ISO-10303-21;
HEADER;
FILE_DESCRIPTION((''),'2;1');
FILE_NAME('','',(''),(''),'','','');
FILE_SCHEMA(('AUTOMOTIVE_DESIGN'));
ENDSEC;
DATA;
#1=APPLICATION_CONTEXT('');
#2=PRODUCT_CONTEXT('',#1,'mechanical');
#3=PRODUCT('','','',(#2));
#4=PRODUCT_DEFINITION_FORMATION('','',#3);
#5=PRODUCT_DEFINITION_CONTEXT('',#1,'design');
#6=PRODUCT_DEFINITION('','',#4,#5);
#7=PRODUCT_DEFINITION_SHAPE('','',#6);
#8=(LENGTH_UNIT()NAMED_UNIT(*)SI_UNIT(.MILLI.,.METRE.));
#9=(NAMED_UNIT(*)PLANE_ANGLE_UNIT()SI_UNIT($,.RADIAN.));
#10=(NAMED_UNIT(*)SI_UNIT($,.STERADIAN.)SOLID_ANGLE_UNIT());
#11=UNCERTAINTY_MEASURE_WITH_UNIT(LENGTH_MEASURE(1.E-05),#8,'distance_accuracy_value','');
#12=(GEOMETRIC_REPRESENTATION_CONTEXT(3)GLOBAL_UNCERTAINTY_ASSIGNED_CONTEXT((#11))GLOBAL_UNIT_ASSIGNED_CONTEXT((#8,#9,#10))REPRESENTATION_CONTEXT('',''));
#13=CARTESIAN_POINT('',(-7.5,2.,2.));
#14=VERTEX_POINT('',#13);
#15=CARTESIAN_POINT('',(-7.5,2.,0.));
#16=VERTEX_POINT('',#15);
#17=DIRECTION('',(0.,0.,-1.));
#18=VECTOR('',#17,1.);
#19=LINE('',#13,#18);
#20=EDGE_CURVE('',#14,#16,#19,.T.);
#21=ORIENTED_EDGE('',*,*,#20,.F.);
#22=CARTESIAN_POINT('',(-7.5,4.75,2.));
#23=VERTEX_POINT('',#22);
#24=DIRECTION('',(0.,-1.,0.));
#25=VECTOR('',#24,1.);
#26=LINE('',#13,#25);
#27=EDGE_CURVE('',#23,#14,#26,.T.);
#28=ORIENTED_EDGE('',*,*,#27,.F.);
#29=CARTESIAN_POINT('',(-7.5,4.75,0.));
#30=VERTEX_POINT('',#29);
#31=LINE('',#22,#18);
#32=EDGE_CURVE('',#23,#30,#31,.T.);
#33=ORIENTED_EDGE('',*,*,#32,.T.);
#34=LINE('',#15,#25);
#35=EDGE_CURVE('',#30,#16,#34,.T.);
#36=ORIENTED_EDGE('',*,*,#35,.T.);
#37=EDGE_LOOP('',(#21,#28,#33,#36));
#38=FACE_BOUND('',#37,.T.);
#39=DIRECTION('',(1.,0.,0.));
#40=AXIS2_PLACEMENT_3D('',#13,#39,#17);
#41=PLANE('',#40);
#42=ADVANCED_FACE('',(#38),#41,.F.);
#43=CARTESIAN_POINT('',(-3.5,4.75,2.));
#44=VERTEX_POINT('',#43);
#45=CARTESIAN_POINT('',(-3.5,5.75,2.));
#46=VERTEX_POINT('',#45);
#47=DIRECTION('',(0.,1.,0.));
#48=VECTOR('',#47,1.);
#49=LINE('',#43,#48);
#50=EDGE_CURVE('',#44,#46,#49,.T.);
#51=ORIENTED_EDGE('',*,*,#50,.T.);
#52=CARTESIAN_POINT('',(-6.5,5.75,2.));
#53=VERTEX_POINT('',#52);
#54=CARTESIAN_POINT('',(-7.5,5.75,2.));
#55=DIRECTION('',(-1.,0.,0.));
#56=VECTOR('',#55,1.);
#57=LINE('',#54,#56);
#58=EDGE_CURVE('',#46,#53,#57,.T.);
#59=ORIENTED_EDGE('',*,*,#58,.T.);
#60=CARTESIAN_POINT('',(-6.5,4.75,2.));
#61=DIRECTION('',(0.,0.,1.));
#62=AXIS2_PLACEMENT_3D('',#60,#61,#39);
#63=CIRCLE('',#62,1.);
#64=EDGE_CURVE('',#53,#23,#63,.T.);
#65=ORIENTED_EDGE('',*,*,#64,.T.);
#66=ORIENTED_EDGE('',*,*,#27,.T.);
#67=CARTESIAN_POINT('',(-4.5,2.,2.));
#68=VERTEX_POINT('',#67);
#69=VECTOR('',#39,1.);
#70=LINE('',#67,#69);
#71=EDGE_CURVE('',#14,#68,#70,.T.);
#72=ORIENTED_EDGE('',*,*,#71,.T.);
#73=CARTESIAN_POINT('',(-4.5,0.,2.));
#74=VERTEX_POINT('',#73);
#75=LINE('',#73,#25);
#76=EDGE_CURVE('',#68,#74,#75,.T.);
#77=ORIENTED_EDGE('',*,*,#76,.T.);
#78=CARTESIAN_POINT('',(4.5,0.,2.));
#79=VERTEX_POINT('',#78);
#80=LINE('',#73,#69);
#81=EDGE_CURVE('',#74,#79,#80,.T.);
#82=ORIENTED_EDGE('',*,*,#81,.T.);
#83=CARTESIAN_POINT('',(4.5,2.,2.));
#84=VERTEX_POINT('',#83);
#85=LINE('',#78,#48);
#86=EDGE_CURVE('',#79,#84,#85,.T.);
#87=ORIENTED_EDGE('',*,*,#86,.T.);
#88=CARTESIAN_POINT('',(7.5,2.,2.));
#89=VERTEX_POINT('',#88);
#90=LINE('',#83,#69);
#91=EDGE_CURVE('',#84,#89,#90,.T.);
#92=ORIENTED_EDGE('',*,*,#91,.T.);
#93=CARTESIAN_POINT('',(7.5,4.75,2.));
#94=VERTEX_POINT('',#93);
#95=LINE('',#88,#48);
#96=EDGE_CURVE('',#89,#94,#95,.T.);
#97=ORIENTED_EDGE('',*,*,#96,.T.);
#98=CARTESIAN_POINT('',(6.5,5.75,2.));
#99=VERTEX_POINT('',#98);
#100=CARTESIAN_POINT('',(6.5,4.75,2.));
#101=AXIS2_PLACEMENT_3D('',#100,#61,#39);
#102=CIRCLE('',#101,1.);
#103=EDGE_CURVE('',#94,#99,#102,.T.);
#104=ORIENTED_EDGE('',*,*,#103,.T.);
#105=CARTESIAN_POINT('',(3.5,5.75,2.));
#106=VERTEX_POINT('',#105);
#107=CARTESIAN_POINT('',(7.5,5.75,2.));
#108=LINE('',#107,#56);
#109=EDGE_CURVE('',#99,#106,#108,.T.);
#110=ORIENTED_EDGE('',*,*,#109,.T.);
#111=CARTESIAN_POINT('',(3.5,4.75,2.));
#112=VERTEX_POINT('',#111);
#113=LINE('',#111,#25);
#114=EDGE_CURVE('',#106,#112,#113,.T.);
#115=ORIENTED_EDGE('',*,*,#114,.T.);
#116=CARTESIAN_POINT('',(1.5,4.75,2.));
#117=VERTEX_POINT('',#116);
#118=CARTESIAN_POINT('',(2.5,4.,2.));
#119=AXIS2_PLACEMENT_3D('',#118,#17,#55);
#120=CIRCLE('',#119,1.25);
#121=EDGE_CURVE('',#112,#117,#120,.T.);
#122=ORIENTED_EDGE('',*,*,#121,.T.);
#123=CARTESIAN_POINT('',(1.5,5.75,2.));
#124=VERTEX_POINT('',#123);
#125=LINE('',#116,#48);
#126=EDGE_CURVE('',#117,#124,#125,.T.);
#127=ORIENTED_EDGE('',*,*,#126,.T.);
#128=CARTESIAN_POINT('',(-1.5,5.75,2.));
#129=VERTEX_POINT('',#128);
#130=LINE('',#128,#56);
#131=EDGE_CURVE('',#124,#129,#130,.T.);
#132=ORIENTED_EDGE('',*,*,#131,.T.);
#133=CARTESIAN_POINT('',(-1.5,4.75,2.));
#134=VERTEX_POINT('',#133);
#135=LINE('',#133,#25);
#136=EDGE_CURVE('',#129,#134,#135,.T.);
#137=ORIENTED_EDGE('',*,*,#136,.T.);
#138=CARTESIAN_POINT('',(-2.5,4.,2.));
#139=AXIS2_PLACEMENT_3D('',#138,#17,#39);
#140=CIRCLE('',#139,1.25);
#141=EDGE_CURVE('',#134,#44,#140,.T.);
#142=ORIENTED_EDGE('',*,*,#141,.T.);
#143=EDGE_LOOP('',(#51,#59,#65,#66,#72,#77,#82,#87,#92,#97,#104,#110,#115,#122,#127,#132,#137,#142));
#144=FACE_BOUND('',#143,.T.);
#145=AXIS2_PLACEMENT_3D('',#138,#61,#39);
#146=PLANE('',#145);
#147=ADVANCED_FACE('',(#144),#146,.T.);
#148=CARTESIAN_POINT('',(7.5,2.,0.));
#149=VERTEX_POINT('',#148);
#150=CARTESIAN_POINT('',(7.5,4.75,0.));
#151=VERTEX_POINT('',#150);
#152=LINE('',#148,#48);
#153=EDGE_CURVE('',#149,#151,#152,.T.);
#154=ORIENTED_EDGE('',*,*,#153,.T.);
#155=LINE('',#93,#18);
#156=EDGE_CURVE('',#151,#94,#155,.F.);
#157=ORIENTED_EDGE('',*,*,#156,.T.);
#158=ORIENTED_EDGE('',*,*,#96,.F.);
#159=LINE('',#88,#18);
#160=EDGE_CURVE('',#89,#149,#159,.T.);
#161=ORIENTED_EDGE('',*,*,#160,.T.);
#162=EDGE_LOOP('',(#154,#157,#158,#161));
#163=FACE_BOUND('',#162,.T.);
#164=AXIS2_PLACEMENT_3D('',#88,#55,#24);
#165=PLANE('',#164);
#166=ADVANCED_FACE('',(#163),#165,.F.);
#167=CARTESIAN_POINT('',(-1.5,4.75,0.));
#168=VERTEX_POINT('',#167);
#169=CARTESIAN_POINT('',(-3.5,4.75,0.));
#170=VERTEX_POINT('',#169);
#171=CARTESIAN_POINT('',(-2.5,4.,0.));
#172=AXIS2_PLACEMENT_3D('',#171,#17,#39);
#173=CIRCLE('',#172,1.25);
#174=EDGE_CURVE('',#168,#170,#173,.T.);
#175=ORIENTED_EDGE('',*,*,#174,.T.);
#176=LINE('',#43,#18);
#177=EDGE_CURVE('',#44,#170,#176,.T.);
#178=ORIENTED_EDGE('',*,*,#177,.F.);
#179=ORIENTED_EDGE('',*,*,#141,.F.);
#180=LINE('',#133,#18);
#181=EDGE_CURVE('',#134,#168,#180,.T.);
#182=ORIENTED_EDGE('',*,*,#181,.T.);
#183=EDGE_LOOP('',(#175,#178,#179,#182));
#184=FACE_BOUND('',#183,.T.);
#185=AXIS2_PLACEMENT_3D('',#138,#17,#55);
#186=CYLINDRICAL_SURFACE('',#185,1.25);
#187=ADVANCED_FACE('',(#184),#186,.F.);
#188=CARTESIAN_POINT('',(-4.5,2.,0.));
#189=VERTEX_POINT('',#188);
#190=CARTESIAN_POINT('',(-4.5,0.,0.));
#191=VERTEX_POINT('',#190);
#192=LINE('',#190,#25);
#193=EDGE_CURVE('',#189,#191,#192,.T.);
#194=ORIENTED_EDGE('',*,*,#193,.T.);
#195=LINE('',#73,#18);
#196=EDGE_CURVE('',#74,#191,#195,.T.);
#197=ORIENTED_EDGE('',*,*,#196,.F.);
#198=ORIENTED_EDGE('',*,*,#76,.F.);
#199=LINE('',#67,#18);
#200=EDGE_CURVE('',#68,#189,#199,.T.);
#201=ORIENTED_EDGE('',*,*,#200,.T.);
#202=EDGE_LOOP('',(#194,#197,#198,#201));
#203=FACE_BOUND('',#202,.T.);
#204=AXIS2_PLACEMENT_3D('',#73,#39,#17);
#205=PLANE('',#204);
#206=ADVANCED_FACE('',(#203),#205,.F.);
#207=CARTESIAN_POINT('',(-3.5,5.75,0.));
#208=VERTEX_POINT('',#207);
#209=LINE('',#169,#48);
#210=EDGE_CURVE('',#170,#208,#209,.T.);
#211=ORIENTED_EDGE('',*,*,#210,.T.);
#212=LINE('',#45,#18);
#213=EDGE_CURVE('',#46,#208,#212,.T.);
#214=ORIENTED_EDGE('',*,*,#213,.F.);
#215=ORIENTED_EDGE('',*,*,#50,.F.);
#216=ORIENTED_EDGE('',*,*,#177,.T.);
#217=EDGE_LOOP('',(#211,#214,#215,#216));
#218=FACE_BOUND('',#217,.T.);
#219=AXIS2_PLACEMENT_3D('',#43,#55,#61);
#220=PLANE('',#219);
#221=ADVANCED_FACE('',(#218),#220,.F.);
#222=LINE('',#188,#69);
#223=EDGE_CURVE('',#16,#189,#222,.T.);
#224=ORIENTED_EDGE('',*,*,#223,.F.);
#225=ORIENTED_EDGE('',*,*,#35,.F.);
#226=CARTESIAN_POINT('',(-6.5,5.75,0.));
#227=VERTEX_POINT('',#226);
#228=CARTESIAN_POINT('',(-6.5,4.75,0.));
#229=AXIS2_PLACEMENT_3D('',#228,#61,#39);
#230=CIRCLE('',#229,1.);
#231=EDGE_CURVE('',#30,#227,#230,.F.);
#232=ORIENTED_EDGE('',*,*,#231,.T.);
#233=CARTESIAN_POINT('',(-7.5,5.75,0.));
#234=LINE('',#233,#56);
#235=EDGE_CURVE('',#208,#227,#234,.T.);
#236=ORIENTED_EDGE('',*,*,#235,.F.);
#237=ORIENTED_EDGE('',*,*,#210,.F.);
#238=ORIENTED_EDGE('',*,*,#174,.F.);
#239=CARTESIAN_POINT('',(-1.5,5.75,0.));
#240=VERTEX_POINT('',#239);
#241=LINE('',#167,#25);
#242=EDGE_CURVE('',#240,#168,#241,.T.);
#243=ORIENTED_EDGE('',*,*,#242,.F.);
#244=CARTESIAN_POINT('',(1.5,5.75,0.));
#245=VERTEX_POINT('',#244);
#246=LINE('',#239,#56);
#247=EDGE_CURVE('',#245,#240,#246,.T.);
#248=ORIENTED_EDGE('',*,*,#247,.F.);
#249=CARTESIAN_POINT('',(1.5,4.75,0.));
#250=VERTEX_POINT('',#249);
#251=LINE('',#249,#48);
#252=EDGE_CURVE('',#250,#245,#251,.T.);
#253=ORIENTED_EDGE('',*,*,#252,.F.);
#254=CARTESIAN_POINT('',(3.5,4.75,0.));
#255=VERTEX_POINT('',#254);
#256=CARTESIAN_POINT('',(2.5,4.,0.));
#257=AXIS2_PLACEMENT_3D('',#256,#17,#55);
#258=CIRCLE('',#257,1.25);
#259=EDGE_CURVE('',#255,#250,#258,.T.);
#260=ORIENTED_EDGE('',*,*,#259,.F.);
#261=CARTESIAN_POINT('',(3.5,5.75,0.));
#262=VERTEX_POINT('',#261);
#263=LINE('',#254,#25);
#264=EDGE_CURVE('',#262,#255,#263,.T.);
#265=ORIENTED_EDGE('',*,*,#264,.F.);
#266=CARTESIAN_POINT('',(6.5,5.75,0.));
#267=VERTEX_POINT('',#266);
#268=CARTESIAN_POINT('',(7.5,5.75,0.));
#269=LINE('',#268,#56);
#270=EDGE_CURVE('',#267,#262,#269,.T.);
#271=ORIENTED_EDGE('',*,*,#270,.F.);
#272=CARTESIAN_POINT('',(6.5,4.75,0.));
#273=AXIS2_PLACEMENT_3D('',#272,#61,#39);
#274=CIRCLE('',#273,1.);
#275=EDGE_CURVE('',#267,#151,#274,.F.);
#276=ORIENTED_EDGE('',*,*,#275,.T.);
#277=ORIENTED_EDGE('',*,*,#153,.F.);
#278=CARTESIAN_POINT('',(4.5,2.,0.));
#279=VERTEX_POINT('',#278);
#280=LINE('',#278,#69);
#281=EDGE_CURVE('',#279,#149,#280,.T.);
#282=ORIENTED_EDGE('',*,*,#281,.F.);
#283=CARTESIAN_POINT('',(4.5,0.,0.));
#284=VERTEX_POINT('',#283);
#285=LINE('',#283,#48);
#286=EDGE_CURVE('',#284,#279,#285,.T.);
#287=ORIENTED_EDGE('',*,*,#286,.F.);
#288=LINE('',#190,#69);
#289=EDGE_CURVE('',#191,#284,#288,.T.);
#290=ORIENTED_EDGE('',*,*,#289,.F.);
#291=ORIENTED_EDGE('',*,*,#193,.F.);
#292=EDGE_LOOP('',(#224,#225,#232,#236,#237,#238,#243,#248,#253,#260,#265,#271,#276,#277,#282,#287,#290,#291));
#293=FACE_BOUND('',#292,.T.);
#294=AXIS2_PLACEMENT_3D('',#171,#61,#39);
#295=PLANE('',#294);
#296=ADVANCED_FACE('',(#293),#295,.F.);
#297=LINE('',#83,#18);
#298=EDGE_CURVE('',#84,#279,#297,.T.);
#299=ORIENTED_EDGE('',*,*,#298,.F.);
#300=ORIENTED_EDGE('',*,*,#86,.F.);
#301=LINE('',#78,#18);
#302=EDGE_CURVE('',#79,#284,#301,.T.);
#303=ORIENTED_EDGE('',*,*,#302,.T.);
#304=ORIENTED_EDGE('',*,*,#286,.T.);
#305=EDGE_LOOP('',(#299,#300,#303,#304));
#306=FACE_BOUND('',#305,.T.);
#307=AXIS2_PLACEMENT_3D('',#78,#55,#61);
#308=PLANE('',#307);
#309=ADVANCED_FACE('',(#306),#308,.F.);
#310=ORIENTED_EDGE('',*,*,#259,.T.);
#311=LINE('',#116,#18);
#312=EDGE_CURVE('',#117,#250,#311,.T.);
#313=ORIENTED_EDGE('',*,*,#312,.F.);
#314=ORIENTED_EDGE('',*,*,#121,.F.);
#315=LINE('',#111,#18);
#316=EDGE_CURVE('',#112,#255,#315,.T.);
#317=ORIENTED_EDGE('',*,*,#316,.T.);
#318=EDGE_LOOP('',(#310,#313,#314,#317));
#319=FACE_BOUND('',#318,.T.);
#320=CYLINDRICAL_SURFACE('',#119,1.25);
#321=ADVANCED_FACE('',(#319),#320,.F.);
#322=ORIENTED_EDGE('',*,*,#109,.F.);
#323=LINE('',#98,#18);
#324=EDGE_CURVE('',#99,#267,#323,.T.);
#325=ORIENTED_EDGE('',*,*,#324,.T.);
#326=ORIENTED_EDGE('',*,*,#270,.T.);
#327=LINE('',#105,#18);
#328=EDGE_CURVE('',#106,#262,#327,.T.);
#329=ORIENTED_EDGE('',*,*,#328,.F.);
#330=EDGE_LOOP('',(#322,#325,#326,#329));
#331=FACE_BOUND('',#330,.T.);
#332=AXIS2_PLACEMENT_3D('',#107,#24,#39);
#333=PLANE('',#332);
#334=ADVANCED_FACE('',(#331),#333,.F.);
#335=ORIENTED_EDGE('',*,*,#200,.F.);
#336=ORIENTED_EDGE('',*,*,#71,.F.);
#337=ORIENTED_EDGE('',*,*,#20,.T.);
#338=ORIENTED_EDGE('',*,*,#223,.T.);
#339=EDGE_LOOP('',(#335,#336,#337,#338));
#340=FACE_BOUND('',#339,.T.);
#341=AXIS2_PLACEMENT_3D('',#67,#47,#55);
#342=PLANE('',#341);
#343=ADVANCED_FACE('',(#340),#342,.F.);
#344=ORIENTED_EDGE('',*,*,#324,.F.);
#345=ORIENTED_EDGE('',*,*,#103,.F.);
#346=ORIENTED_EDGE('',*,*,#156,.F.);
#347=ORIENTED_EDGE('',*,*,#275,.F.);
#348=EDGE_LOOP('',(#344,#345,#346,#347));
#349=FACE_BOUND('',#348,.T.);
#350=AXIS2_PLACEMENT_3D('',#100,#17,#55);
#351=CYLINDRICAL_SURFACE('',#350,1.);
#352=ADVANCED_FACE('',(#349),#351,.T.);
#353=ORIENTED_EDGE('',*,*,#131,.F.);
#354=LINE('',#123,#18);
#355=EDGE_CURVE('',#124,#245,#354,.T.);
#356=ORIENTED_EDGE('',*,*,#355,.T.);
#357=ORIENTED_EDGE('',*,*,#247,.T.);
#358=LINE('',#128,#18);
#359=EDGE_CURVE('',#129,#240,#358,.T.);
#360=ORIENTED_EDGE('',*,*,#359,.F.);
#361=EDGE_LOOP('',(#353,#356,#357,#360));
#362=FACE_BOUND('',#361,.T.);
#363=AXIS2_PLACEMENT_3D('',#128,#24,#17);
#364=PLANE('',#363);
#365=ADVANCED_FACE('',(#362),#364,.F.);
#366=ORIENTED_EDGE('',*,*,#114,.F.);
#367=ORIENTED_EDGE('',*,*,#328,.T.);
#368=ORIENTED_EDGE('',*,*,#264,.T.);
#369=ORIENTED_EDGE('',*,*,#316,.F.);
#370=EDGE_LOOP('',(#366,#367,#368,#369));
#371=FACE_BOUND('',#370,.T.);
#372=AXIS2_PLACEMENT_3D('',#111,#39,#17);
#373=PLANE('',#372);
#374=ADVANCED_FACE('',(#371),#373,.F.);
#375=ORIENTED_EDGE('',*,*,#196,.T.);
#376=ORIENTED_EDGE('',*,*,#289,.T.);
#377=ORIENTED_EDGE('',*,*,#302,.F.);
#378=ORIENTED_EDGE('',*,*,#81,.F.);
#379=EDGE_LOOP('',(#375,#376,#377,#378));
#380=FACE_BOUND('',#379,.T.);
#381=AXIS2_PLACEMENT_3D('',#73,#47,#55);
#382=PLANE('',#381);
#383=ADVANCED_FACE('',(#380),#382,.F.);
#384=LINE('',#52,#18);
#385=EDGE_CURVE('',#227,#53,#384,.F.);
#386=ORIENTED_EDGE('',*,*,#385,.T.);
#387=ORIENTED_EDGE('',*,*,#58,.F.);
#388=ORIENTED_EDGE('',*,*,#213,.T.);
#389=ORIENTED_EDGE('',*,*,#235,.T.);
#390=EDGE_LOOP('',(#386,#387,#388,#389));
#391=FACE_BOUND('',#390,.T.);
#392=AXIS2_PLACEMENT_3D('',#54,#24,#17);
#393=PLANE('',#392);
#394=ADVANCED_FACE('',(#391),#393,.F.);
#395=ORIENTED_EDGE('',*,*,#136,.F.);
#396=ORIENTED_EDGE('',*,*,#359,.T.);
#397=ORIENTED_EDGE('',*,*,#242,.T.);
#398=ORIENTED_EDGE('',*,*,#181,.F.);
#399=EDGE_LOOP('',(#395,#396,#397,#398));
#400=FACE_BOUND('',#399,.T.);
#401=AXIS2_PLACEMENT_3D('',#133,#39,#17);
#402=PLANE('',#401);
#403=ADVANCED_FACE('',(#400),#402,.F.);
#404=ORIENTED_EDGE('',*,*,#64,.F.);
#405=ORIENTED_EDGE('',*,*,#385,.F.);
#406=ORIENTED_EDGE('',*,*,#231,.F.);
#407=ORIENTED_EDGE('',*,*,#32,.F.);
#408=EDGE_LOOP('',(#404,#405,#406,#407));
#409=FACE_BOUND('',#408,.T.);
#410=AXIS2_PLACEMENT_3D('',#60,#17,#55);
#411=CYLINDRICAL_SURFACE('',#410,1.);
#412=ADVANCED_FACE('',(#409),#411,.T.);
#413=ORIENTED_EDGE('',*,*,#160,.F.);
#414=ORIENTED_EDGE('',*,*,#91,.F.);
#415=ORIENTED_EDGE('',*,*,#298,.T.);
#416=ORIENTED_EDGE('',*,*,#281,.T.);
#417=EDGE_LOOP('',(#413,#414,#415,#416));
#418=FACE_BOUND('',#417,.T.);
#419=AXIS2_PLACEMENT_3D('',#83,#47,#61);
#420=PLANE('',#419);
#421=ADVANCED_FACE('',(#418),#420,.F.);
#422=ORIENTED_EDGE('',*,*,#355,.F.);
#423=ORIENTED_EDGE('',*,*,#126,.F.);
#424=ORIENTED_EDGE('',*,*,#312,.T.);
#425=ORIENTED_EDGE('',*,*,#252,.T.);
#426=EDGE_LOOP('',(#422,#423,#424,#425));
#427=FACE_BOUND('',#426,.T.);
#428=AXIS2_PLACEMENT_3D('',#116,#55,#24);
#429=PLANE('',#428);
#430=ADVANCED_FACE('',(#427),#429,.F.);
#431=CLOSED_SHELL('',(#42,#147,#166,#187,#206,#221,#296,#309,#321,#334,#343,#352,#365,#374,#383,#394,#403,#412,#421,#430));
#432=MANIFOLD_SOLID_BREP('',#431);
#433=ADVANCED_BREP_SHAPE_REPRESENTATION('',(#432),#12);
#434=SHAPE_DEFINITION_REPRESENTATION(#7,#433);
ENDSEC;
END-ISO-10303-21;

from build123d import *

# Parameters (mm, degrees)
TUBE_PLATE_MCP_BODY_DEPTH   = 2
TUBE_PLATE_MCP_CONTOURING_R = 1


with BuildPart() as part:
    # Sketch1 → Tube Plate MCP Body (new body)
    with BuildSketch(Plane.XY):
        with BuildLine():
            Line((-4.5, 0), (4.5, 0))
            Line((4.5, 0), (4.5, 2))
            Line((4.5, 2), (7.5, 2))
            Line((7.5, 2), (7.5, 5.75))
            Line((7.5, 5.75), (3.5, 5.75))
            Line((3.5, 5.75), (3.5, 4.75))
            ThreePointArc((3.5, 4.75), (2.5, 2.75), (1.5, 4.75))
            Line((1.5, 4.75), (1.5, 5.75))
            Line((1.5, 5.75), (-1.5, 5.75))
            Line((-1.5, 5.75), (-1.5, 4.75))
            ThreePointArc((-1.5, 4.75), (-2.5, 2.75), (-3.5, 4.75))
            Line((-3.5, 4.75), (-3.5, 5.75))
            Line((-3.5, 5.75), (-7.5, 5.75))
            Line((-7.5, 5.75), (-7.5, 2))
            Line((-7.5, 2), (-4.5, 2))
            Line((-4.5, 2), (-4.5, 0))
        make_face()
    extrude(amount=TUBE_PLATE_MCP_BODY_DEPTH)

    # Tube Plate MCP Contouring
    tube_plate_mcp_contouring_edges = [part.edges().sort_by_distance(p)[0] for p in [
        (-7.5, 5.75, 1),
        (7.5, 5.75, 1),
    ]]
    fillet(tube_plate_mcp_contouring_edges, radius=TUBE_PLATE_MCP_CONTOURING_R)


solid = part.part
